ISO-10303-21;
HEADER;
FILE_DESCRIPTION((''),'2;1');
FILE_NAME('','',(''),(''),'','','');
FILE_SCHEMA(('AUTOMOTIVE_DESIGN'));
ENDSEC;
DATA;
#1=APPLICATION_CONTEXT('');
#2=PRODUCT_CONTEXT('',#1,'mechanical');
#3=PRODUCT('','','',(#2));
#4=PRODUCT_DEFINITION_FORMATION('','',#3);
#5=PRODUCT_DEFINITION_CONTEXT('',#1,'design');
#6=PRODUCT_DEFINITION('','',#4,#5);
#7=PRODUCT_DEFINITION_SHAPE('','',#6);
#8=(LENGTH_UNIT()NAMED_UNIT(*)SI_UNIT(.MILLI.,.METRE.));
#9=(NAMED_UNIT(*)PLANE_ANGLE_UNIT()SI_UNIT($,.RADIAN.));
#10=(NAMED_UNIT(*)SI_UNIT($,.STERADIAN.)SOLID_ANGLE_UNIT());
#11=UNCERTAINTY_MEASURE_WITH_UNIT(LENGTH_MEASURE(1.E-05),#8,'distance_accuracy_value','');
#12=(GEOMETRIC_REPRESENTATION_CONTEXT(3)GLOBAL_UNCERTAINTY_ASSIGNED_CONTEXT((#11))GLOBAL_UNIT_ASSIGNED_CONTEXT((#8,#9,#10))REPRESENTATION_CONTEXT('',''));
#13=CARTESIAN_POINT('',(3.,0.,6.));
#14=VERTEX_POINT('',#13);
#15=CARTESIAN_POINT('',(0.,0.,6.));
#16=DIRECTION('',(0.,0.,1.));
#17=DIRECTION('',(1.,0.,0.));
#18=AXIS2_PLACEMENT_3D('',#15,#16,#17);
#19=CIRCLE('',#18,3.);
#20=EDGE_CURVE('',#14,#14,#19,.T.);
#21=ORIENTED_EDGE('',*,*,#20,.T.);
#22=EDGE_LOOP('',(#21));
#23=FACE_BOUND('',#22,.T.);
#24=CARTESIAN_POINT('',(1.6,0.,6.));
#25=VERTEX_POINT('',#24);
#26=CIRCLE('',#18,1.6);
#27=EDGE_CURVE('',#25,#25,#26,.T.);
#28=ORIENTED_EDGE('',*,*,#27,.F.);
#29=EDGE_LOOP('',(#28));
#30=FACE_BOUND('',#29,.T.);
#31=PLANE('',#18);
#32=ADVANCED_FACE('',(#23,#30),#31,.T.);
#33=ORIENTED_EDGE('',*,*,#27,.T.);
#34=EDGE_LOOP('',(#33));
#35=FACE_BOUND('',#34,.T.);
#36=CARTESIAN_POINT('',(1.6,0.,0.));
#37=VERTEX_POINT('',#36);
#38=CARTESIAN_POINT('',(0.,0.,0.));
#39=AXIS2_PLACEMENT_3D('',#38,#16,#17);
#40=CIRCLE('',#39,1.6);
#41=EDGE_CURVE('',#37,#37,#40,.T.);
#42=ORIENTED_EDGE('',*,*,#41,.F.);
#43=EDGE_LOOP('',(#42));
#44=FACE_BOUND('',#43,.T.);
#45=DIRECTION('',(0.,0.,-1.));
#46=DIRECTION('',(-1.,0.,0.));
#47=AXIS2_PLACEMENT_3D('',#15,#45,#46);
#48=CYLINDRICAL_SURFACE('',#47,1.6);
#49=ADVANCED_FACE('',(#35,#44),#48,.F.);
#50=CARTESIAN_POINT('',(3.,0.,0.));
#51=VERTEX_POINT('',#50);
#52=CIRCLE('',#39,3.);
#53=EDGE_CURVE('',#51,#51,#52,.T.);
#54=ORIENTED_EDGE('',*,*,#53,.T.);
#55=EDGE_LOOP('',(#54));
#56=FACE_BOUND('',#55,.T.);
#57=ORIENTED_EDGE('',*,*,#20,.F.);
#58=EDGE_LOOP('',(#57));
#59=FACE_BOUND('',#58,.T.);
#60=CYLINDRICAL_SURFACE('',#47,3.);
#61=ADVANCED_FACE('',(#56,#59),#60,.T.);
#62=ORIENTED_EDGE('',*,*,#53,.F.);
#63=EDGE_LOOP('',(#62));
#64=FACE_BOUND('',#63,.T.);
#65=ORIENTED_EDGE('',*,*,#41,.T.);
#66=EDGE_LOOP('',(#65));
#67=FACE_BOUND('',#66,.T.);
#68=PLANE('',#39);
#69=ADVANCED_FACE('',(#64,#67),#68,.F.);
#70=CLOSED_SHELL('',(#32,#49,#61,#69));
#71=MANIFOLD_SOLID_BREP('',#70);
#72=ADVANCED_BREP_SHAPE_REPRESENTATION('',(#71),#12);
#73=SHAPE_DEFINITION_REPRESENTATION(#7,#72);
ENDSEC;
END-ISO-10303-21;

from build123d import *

# Parameters (mm, degrees)
ESQUISSE1_R      = 3
ESQUISSE1_R_2    = 1.6
EXTRUSION1_DEPTH = 6


with BuildPart() as part:
    # Esquisse1 → Extrusion1 (new body)
    with BuildSketch(Plane.XY):
        Circle(ESQUISSE1_R)
        Circle(ESQUISSE1_R_2, mode=Mode.SUBTRACT)
    extrude(amount=EXTRUSION1_DEPTH)


solid = part.part
